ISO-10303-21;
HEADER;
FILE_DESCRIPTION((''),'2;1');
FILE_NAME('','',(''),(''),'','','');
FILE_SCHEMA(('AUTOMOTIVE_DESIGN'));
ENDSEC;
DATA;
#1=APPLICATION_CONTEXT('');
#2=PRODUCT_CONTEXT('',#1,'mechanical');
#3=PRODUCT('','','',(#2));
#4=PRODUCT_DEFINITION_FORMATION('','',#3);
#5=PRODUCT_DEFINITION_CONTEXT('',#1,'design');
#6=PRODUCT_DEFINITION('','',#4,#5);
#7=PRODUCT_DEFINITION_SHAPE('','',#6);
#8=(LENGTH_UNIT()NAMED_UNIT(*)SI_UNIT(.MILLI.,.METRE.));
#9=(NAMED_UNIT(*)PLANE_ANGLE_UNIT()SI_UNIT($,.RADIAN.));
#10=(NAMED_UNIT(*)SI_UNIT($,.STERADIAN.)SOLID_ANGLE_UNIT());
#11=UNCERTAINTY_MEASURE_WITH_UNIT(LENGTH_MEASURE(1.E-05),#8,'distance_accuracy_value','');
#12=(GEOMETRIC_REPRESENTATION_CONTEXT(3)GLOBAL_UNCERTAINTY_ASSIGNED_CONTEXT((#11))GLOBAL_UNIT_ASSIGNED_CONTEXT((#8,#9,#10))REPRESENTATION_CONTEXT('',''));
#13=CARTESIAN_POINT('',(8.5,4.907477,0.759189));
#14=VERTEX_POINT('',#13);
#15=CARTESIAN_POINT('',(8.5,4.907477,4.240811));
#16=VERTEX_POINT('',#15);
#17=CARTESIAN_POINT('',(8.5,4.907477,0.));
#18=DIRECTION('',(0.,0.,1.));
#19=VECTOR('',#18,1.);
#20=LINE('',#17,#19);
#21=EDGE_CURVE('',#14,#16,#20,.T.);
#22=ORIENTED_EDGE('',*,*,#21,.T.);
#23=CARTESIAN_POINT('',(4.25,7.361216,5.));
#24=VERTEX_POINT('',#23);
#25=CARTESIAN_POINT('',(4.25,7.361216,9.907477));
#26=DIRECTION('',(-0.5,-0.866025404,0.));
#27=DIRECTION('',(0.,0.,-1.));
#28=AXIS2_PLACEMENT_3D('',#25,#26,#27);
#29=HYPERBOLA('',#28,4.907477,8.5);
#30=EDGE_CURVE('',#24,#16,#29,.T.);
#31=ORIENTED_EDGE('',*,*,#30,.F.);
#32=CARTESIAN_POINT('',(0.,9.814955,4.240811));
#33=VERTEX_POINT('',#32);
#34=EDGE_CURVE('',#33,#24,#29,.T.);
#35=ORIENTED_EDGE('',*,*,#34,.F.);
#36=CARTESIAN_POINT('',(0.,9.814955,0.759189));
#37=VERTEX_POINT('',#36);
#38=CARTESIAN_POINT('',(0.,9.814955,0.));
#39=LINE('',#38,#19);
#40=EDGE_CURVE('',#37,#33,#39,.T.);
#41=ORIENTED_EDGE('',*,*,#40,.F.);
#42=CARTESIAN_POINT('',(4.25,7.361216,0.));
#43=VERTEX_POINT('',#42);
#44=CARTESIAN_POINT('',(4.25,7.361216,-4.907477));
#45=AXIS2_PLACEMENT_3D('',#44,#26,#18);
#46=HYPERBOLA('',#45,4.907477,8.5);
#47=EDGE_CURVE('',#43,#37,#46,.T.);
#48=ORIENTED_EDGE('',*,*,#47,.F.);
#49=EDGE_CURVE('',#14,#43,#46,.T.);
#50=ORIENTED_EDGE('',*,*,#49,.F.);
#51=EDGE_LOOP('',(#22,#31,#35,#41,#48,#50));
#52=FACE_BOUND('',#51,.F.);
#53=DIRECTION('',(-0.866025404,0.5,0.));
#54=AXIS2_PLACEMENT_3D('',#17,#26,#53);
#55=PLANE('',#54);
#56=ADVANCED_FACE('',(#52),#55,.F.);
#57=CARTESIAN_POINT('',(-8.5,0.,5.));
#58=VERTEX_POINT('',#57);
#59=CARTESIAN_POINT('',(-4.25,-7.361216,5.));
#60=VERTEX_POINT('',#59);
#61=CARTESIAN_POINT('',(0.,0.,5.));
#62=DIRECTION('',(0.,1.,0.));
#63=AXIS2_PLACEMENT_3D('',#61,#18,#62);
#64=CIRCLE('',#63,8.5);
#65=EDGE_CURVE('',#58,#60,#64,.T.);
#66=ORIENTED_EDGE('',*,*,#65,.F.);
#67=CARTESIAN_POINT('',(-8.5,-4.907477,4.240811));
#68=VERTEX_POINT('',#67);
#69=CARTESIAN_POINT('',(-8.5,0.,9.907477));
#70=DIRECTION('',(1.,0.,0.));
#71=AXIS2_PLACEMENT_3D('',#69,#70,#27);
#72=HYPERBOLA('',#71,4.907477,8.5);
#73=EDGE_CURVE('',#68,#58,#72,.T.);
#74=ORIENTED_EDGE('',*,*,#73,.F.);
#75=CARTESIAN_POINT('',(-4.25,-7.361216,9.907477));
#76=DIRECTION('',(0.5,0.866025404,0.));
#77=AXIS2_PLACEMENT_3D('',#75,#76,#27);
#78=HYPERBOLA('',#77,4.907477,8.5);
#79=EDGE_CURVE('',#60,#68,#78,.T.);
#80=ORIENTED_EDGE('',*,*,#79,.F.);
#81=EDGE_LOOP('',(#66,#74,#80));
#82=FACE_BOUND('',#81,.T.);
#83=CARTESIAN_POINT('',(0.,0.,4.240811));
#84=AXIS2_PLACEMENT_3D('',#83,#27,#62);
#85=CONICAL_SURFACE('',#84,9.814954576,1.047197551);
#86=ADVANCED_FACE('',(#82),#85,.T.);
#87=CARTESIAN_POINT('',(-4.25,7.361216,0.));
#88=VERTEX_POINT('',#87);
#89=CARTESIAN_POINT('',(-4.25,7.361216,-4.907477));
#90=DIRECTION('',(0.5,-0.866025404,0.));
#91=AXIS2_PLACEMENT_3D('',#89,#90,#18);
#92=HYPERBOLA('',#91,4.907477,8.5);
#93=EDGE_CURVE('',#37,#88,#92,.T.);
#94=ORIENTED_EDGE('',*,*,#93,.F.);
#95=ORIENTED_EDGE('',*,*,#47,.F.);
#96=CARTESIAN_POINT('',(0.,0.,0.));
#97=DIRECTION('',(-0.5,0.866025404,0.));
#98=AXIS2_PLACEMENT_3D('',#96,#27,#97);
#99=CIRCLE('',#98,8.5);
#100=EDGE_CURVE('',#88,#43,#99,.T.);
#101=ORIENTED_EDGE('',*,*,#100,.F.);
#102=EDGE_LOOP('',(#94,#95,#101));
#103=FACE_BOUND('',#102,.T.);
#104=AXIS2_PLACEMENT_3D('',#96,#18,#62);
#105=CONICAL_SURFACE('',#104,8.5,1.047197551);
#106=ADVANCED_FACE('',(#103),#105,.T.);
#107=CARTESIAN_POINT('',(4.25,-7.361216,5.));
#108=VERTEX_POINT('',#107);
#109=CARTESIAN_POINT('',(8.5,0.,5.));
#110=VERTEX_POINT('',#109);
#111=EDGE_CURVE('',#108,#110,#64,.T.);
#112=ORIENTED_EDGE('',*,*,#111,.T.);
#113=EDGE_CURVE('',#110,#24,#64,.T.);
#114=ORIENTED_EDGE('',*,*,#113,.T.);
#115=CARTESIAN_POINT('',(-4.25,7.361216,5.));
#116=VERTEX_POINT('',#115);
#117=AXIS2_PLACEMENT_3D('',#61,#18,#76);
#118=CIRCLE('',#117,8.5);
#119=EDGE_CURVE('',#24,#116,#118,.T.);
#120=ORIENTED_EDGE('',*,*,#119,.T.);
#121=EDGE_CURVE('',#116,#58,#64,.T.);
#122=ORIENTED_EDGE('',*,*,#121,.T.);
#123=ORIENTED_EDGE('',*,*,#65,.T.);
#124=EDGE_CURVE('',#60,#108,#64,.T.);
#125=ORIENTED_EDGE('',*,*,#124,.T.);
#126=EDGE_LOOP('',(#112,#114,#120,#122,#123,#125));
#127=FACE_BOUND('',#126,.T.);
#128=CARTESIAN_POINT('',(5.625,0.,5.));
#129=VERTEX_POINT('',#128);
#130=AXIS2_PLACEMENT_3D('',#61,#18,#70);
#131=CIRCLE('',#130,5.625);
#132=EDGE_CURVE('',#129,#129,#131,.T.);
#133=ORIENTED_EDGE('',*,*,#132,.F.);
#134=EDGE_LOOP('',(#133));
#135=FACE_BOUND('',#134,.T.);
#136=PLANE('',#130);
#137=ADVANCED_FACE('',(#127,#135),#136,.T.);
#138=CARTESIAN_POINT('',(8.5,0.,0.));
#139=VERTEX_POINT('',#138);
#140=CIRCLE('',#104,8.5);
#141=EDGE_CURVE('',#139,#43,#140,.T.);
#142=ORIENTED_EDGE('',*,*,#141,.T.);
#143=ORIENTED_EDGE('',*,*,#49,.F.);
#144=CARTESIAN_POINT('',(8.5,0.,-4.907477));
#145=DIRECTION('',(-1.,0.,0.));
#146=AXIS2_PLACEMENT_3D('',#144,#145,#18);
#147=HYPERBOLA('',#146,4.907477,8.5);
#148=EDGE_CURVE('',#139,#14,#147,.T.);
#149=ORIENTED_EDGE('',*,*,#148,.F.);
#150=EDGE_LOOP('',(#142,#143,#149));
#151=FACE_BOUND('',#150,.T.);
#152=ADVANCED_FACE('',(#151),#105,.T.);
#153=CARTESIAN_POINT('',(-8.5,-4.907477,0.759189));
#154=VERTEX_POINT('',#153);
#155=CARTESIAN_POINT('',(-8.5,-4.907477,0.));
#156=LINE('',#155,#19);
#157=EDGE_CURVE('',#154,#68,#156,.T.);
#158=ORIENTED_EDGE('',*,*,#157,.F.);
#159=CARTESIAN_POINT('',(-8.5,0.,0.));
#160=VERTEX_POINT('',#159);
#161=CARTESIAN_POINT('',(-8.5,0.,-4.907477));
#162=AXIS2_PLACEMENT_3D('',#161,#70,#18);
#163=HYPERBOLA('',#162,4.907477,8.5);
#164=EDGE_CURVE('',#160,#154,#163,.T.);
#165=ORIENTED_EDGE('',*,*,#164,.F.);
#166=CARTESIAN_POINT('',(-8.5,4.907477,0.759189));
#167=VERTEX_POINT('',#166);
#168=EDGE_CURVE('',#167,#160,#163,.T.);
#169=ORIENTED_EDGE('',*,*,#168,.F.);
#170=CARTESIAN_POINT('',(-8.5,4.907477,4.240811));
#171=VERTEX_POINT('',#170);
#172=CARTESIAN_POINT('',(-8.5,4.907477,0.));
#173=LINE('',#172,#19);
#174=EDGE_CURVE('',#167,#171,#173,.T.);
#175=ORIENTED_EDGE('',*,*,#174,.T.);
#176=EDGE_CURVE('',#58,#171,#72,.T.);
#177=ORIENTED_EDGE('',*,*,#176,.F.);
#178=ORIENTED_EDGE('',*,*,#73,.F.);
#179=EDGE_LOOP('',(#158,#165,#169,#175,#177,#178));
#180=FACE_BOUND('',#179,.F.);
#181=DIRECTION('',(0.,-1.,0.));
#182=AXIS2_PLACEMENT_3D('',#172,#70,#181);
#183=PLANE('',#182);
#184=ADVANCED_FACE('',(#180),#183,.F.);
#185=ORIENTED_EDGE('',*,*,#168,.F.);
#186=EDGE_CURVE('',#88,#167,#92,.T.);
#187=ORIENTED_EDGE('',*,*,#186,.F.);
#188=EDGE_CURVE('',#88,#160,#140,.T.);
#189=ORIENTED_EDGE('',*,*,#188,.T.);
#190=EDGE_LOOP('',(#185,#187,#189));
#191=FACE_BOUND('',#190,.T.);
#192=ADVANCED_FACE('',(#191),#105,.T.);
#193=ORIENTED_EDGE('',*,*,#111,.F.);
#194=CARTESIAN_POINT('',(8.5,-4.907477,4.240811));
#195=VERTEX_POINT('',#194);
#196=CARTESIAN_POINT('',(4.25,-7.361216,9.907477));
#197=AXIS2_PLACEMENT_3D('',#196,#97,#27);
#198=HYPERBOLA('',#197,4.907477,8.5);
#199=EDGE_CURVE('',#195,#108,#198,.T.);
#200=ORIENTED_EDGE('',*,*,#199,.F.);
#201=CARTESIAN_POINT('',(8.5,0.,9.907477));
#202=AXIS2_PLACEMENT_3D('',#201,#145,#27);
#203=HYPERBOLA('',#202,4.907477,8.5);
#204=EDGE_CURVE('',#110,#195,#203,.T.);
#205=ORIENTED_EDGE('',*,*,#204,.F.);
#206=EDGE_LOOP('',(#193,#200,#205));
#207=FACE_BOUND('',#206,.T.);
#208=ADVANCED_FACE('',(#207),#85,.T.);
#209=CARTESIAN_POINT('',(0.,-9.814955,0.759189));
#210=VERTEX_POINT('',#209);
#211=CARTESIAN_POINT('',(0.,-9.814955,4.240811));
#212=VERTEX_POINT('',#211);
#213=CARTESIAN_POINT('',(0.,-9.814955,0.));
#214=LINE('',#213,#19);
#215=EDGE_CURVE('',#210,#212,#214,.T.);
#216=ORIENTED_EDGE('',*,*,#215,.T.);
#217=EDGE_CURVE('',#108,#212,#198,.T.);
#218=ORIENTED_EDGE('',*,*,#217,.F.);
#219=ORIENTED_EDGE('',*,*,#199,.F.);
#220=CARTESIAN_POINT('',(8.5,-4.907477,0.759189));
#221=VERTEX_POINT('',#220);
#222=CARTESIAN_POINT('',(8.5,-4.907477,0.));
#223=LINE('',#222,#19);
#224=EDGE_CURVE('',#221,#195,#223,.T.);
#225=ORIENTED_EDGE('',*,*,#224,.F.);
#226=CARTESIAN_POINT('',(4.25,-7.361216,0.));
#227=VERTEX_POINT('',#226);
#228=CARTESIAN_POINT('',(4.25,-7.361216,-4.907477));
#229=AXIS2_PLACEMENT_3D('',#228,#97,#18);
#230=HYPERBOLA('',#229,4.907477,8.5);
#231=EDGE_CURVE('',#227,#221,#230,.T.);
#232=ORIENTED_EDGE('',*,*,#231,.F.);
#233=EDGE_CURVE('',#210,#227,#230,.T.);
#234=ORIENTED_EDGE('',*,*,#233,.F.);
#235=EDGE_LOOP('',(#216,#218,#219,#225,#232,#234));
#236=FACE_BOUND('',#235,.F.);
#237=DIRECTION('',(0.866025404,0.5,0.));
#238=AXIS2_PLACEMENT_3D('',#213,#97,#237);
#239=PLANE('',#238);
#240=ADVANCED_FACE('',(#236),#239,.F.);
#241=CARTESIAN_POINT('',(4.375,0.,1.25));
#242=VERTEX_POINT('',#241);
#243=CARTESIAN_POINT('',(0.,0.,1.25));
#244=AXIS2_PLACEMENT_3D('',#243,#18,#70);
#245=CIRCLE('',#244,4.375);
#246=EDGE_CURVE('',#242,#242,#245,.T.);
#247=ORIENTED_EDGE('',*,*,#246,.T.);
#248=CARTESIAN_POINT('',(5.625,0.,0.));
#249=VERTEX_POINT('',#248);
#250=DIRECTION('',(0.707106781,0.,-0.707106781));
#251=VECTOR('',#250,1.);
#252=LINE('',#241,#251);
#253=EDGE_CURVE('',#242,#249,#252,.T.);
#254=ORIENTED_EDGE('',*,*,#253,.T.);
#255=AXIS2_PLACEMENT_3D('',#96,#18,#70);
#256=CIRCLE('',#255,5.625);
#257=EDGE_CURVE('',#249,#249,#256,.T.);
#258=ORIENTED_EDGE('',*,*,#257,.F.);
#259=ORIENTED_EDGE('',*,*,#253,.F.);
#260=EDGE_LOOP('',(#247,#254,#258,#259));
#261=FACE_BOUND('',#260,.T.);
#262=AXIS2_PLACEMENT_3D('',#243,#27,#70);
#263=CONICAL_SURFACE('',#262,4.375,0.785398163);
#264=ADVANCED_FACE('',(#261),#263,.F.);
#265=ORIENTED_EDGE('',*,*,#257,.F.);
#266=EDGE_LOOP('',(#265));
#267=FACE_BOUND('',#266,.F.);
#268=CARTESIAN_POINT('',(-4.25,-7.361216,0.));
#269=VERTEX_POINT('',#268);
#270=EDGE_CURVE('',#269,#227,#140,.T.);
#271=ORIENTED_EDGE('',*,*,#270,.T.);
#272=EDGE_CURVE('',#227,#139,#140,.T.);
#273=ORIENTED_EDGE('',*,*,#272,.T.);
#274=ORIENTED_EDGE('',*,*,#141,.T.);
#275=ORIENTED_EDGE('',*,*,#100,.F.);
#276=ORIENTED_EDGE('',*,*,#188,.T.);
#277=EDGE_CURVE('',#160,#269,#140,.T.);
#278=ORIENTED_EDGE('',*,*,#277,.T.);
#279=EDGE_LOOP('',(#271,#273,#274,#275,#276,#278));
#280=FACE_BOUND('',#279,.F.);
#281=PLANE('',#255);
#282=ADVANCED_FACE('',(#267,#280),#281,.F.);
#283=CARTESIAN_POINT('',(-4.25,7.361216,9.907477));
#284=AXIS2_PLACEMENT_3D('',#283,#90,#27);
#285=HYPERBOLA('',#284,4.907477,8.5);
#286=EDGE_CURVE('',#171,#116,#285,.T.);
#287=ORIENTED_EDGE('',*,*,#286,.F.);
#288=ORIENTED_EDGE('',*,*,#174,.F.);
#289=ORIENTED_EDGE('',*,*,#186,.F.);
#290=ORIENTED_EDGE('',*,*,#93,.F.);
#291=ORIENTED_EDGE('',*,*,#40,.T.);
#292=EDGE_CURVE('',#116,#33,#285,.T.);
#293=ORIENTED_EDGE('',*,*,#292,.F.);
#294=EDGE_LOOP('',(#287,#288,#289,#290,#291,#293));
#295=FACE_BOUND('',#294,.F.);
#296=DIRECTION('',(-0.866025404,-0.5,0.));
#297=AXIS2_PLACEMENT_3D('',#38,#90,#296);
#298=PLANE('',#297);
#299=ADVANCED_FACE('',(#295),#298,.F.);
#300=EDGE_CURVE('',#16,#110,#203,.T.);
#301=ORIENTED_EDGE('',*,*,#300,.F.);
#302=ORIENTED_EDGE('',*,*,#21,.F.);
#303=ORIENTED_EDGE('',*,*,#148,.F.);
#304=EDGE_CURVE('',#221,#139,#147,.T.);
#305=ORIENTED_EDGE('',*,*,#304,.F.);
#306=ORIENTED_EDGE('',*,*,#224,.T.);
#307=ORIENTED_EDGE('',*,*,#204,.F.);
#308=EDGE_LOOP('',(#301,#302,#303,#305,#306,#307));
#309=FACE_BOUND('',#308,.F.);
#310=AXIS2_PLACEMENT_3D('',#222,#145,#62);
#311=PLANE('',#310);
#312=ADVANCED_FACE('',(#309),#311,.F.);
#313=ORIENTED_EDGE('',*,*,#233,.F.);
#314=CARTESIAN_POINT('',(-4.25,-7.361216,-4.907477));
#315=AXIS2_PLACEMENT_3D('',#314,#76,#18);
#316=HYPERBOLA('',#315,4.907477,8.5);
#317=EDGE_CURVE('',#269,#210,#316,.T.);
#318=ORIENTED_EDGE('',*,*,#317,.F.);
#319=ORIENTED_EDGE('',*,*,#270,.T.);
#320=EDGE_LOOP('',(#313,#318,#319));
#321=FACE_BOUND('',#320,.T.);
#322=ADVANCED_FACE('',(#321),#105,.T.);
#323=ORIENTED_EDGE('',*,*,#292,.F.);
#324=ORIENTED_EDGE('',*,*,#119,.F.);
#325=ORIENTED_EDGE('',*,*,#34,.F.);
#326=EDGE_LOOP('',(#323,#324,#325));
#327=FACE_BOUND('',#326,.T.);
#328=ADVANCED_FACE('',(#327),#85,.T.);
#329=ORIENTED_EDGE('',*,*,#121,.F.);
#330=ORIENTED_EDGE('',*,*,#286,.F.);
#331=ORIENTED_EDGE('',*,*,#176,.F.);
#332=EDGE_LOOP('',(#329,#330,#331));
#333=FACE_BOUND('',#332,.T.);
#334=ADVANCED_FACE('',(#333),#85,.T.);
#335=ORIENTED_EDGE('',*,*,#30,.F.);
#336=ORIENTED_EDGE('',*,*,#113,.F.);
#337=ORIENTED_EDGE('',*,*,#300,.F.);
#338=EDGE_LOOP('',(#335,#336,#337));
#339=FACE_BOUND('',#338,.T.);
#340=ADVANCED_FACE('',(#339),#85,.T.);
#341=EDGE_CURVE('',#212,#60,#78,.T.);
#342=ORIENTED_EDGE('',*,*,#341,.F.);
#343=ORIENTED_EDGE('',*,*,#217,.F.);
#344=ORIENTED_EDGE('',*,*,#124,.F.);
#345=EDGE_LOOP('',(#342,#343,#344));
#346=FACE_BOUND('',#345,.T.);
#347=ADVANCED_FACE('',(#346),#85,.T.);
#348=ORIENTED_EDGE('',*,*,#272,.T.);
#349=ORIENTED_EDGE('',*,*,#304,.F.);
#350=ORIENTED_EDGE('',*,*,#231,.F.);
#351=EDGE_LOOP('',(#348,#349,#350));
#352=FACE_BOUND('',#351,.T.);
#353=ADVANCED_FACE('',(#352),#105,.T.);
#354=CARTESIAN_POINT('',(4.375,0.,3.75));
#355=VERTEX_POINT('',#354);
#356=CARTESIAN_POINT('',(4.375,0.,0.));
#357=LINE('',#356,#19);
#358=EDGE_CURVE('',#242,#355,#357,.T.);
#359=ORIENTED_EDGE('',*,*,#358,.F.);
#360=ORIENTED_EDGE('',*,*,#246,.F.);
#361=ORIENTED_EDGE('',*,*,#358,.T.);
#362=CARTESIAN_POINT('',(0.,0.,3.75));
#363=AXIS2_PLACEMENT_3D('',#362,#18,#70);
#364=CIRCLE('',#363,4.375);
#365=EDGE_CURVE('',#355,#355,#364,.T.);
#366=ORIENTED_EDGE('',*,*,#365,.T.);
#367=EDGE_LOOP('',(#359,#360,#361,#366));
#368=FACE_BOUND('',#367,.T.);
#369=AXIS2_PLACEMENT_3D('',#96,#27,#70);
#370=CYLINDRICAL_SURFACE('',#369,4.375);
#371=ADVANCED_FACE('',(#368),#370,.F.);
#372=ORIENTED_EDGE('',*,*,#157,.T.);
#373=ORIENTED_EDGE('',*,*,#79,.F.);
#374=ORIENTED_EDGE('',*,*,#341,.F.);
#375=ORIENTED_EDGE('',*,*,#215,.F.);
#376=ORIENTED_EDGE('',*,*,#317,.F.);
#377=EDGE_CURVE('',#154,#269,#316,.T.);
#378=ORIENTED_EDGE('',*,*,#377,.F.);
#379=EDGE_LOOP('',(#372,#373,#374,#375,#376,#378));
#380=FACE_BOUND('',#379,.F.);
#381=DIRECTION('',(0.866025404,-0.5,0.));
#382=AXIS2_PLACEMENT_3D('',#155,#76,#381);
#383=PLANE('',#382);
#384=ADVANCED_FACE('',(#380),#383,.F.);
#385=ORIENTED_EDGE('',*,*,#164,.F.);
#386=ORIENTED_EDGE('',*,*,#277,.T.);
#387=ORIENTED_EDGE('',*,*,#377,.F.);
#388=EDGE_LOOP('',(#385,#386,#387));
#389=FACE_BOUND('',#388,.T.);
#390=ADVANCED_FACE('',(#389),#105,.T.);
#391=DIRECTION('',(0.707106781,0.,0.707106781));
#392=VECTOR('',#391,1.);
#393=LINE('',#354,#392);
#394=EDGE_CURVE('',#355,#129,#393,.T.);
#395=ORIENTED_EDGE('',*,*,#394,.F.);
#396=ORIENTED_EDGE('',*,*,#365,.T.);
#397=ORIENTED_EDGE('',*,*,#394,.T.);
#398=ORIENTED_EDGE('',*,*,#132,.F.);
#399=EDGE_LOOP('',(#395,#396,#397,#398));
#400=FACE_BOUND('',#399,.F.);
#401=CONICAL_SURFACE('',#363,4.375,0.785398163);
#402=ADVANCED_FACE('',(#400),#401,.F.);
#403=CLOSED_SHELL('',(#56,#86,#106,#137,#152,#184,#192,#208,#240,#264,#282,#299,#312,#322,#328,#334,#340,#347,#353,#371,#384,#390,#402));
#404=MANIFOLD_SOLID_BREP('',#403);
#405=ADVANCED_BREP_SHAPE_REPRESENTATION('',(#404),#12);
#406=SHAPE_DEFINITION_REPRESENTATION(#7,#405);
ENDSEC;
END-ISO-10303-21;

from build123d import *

# Parameters (mm, degrees)
SKETCH_1_R      = 4.375
EXTRUDE_1_DEPTH = 5
CHAMFER_1_SIZE  = 1.25


with BuildPart() as part:
    # Эскиз1 → Бобышка-Вытянуть1 (new body)
    with BuildSketch(Plane.XY):
        Polygon((8.5, -4.907477288), (8.5, 4.907477288), (0, 9.814954576), (-8.5, 4.907477288), (-8.5, -4.907477288), (0, -9.814954576), align=None)
        Circle(SKETCH_1_R, mode=Mode.SUBTRACT)
    extrude(amount=EXTRUDE_1_DEPTH)

    # Фаска1
    chamfer_1_edges = [part.edges().sort_by_distance(p)[0] for p in [
        (-4.375, 0, 0),
        (-4.375, 0, 5),
    ]]
    chamfer(chamfer_1_edges, length=CHAMFER_1_SIZE)

    # Эскиз3 → Вырез-Повернуть1 (revolve, cut)
    with BuildSketch(Plane(origin=(0, 0, 0), x_dir=(0, 0, -1), z_dir=(1, 0, 0))):
        Polygon((-0.759189379, 9.814954576), (0, 9.814954576), (0, 8.5), align=None)
        Polygon((-4.240810621, 9.814954576), (-5, 8.5), (-5, 9.814954576), align=None)
    revolve(axis=Axis((0, 0, 0), (0, 0, 1)), mode=Mode.SUBTRACT)


solid = part.part
